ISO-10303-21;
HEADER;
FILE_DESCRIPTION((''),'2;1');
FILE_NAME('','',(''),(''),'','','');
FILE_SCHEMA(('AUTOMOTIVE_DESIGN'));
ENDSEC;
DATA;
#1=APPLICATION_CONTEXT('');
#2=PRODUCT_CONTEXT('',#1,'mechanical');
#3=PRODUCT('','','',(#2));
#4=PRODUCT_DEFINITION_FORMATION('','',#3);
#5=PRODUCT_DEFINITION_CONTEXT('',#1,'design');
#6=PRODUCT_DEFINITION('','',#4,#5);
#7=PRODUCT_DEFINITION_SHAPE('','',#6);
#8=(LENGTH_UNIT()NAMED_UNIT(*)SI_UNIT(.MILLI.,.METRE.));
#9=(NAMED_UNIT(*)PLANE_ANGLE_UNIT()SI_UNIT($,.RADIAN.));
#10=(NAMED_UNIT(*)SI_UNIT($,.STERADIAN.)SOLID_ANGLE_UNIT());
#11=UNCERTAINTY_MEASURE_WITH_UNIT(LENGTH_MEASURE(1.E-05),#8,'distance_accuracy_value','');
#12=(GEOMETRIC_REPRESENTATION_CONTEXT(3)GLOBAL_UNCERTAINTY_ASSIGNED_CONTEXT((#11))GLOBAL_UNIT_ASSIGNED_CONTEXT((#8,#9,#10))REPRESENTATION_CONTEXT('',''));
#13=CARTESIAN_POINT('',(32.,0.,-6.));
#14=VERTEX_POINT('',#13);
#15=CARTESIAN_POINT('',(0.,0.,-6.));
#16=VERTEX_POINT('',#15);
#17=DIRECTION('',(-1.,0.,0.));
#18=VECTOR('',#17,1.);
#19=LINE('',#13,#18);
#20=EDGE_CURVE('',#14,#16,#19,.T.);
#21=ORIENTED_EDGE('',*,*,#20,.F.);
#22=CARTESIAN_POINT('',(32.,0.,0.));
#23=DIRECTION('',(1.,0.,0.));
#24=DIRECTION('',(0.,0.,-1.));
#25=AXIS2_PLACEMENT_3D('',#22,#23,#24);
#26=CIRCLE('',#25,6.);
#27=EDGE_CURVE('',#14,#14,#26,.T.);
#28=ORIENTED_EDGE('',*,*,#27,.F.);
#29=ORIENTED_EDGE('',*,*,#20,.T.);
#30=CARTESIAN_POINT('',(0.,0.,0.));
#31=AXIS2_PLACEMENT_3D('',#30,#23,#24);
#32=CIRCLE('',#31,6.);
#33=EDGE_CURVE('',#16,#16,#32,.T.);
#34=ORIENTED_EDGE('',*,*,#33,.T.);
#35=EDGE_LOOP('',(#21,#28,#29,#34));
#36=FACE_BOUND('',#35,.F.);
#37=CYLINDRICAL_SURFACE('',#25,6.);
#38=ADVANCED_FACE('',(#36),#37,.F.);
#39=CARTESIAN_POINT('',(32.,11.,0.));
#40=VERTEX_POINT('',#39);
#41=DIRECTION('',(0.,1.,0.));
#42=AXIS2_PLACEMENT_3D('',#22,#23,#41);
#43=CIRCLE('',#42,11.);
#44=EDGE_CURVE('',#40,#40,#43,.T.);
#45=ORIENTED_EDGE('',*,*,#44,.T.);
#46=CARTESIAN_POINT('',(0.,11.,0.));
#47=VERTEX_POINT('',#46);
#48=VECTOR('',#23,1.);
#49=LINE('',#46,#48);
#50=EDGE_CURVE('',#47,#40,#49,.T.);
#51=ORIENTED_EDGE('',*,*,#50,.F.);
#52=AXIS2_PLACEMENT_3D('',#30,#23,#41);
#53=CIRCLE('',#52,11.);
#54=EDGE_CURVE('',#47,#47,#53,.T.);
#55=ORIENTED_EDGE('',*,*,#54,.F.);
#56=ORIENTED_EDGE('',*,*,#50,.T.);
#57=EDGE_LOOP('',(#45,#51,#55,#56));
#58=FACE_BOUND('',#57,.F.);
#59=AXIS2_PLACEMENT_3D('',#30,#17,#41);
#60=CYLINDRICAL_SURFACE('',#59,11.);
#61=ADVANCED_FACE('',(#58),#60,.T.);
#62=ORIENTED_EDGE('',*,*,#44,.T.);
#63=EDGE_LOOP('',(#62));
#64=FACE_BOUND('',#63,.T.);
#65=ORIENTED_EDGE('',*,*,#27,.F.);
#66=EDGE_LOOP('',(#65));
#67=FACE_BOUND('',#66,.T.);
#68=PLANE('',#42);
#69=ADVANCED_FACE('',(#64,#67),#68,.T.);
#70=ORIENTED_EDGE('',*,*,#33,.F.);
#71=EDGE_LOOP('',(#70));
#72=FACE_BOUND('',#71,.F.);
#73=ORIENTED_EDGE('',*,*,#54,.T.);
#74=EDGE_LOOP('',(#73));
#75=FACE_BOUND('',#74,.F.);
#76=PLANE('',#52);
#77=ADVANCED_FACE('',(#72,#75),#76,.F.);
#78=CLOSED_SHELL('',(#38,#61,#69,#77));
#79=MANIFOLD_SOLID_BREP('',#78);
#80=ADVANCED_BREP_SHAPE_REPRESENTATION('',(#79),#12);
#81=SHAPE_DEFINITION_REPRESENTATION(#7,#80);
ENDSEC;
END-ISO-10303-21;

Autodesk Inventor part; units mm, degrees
ref_plane "YZ Plane" through (0, 0, 0) normal (1, 0, 0) x (0, 1, 0)
ref_plane "XZ Plane" through (0, 0, 0) normal (0, 1, 0) x (-1, 0, 0)
ref_plane "XY Plane" through (0, 0, 0) normal (0, 0, 1) x (1, 0, 0)
sketch "Sketch1" plane through (0, 0, 0) normal (1, 0, 0) x (0, 1, 0)
  circle A0 centre (0, 0) radius 11
  dimension "d0" = 22
extrude "Extrusion1" add sketch "Sketch1" along normal blind 32
sketch "Sketch2" plane through (32, 0, 0) normal (1, 0, 0) x (0, 0, -1)
  circle A0 centre (0, 0) radius 6
  dimension "d3" = 12
extrude "Extrusion2" cut sketch "Sketch2" against normal blind 32
properties part number "cylinder"
